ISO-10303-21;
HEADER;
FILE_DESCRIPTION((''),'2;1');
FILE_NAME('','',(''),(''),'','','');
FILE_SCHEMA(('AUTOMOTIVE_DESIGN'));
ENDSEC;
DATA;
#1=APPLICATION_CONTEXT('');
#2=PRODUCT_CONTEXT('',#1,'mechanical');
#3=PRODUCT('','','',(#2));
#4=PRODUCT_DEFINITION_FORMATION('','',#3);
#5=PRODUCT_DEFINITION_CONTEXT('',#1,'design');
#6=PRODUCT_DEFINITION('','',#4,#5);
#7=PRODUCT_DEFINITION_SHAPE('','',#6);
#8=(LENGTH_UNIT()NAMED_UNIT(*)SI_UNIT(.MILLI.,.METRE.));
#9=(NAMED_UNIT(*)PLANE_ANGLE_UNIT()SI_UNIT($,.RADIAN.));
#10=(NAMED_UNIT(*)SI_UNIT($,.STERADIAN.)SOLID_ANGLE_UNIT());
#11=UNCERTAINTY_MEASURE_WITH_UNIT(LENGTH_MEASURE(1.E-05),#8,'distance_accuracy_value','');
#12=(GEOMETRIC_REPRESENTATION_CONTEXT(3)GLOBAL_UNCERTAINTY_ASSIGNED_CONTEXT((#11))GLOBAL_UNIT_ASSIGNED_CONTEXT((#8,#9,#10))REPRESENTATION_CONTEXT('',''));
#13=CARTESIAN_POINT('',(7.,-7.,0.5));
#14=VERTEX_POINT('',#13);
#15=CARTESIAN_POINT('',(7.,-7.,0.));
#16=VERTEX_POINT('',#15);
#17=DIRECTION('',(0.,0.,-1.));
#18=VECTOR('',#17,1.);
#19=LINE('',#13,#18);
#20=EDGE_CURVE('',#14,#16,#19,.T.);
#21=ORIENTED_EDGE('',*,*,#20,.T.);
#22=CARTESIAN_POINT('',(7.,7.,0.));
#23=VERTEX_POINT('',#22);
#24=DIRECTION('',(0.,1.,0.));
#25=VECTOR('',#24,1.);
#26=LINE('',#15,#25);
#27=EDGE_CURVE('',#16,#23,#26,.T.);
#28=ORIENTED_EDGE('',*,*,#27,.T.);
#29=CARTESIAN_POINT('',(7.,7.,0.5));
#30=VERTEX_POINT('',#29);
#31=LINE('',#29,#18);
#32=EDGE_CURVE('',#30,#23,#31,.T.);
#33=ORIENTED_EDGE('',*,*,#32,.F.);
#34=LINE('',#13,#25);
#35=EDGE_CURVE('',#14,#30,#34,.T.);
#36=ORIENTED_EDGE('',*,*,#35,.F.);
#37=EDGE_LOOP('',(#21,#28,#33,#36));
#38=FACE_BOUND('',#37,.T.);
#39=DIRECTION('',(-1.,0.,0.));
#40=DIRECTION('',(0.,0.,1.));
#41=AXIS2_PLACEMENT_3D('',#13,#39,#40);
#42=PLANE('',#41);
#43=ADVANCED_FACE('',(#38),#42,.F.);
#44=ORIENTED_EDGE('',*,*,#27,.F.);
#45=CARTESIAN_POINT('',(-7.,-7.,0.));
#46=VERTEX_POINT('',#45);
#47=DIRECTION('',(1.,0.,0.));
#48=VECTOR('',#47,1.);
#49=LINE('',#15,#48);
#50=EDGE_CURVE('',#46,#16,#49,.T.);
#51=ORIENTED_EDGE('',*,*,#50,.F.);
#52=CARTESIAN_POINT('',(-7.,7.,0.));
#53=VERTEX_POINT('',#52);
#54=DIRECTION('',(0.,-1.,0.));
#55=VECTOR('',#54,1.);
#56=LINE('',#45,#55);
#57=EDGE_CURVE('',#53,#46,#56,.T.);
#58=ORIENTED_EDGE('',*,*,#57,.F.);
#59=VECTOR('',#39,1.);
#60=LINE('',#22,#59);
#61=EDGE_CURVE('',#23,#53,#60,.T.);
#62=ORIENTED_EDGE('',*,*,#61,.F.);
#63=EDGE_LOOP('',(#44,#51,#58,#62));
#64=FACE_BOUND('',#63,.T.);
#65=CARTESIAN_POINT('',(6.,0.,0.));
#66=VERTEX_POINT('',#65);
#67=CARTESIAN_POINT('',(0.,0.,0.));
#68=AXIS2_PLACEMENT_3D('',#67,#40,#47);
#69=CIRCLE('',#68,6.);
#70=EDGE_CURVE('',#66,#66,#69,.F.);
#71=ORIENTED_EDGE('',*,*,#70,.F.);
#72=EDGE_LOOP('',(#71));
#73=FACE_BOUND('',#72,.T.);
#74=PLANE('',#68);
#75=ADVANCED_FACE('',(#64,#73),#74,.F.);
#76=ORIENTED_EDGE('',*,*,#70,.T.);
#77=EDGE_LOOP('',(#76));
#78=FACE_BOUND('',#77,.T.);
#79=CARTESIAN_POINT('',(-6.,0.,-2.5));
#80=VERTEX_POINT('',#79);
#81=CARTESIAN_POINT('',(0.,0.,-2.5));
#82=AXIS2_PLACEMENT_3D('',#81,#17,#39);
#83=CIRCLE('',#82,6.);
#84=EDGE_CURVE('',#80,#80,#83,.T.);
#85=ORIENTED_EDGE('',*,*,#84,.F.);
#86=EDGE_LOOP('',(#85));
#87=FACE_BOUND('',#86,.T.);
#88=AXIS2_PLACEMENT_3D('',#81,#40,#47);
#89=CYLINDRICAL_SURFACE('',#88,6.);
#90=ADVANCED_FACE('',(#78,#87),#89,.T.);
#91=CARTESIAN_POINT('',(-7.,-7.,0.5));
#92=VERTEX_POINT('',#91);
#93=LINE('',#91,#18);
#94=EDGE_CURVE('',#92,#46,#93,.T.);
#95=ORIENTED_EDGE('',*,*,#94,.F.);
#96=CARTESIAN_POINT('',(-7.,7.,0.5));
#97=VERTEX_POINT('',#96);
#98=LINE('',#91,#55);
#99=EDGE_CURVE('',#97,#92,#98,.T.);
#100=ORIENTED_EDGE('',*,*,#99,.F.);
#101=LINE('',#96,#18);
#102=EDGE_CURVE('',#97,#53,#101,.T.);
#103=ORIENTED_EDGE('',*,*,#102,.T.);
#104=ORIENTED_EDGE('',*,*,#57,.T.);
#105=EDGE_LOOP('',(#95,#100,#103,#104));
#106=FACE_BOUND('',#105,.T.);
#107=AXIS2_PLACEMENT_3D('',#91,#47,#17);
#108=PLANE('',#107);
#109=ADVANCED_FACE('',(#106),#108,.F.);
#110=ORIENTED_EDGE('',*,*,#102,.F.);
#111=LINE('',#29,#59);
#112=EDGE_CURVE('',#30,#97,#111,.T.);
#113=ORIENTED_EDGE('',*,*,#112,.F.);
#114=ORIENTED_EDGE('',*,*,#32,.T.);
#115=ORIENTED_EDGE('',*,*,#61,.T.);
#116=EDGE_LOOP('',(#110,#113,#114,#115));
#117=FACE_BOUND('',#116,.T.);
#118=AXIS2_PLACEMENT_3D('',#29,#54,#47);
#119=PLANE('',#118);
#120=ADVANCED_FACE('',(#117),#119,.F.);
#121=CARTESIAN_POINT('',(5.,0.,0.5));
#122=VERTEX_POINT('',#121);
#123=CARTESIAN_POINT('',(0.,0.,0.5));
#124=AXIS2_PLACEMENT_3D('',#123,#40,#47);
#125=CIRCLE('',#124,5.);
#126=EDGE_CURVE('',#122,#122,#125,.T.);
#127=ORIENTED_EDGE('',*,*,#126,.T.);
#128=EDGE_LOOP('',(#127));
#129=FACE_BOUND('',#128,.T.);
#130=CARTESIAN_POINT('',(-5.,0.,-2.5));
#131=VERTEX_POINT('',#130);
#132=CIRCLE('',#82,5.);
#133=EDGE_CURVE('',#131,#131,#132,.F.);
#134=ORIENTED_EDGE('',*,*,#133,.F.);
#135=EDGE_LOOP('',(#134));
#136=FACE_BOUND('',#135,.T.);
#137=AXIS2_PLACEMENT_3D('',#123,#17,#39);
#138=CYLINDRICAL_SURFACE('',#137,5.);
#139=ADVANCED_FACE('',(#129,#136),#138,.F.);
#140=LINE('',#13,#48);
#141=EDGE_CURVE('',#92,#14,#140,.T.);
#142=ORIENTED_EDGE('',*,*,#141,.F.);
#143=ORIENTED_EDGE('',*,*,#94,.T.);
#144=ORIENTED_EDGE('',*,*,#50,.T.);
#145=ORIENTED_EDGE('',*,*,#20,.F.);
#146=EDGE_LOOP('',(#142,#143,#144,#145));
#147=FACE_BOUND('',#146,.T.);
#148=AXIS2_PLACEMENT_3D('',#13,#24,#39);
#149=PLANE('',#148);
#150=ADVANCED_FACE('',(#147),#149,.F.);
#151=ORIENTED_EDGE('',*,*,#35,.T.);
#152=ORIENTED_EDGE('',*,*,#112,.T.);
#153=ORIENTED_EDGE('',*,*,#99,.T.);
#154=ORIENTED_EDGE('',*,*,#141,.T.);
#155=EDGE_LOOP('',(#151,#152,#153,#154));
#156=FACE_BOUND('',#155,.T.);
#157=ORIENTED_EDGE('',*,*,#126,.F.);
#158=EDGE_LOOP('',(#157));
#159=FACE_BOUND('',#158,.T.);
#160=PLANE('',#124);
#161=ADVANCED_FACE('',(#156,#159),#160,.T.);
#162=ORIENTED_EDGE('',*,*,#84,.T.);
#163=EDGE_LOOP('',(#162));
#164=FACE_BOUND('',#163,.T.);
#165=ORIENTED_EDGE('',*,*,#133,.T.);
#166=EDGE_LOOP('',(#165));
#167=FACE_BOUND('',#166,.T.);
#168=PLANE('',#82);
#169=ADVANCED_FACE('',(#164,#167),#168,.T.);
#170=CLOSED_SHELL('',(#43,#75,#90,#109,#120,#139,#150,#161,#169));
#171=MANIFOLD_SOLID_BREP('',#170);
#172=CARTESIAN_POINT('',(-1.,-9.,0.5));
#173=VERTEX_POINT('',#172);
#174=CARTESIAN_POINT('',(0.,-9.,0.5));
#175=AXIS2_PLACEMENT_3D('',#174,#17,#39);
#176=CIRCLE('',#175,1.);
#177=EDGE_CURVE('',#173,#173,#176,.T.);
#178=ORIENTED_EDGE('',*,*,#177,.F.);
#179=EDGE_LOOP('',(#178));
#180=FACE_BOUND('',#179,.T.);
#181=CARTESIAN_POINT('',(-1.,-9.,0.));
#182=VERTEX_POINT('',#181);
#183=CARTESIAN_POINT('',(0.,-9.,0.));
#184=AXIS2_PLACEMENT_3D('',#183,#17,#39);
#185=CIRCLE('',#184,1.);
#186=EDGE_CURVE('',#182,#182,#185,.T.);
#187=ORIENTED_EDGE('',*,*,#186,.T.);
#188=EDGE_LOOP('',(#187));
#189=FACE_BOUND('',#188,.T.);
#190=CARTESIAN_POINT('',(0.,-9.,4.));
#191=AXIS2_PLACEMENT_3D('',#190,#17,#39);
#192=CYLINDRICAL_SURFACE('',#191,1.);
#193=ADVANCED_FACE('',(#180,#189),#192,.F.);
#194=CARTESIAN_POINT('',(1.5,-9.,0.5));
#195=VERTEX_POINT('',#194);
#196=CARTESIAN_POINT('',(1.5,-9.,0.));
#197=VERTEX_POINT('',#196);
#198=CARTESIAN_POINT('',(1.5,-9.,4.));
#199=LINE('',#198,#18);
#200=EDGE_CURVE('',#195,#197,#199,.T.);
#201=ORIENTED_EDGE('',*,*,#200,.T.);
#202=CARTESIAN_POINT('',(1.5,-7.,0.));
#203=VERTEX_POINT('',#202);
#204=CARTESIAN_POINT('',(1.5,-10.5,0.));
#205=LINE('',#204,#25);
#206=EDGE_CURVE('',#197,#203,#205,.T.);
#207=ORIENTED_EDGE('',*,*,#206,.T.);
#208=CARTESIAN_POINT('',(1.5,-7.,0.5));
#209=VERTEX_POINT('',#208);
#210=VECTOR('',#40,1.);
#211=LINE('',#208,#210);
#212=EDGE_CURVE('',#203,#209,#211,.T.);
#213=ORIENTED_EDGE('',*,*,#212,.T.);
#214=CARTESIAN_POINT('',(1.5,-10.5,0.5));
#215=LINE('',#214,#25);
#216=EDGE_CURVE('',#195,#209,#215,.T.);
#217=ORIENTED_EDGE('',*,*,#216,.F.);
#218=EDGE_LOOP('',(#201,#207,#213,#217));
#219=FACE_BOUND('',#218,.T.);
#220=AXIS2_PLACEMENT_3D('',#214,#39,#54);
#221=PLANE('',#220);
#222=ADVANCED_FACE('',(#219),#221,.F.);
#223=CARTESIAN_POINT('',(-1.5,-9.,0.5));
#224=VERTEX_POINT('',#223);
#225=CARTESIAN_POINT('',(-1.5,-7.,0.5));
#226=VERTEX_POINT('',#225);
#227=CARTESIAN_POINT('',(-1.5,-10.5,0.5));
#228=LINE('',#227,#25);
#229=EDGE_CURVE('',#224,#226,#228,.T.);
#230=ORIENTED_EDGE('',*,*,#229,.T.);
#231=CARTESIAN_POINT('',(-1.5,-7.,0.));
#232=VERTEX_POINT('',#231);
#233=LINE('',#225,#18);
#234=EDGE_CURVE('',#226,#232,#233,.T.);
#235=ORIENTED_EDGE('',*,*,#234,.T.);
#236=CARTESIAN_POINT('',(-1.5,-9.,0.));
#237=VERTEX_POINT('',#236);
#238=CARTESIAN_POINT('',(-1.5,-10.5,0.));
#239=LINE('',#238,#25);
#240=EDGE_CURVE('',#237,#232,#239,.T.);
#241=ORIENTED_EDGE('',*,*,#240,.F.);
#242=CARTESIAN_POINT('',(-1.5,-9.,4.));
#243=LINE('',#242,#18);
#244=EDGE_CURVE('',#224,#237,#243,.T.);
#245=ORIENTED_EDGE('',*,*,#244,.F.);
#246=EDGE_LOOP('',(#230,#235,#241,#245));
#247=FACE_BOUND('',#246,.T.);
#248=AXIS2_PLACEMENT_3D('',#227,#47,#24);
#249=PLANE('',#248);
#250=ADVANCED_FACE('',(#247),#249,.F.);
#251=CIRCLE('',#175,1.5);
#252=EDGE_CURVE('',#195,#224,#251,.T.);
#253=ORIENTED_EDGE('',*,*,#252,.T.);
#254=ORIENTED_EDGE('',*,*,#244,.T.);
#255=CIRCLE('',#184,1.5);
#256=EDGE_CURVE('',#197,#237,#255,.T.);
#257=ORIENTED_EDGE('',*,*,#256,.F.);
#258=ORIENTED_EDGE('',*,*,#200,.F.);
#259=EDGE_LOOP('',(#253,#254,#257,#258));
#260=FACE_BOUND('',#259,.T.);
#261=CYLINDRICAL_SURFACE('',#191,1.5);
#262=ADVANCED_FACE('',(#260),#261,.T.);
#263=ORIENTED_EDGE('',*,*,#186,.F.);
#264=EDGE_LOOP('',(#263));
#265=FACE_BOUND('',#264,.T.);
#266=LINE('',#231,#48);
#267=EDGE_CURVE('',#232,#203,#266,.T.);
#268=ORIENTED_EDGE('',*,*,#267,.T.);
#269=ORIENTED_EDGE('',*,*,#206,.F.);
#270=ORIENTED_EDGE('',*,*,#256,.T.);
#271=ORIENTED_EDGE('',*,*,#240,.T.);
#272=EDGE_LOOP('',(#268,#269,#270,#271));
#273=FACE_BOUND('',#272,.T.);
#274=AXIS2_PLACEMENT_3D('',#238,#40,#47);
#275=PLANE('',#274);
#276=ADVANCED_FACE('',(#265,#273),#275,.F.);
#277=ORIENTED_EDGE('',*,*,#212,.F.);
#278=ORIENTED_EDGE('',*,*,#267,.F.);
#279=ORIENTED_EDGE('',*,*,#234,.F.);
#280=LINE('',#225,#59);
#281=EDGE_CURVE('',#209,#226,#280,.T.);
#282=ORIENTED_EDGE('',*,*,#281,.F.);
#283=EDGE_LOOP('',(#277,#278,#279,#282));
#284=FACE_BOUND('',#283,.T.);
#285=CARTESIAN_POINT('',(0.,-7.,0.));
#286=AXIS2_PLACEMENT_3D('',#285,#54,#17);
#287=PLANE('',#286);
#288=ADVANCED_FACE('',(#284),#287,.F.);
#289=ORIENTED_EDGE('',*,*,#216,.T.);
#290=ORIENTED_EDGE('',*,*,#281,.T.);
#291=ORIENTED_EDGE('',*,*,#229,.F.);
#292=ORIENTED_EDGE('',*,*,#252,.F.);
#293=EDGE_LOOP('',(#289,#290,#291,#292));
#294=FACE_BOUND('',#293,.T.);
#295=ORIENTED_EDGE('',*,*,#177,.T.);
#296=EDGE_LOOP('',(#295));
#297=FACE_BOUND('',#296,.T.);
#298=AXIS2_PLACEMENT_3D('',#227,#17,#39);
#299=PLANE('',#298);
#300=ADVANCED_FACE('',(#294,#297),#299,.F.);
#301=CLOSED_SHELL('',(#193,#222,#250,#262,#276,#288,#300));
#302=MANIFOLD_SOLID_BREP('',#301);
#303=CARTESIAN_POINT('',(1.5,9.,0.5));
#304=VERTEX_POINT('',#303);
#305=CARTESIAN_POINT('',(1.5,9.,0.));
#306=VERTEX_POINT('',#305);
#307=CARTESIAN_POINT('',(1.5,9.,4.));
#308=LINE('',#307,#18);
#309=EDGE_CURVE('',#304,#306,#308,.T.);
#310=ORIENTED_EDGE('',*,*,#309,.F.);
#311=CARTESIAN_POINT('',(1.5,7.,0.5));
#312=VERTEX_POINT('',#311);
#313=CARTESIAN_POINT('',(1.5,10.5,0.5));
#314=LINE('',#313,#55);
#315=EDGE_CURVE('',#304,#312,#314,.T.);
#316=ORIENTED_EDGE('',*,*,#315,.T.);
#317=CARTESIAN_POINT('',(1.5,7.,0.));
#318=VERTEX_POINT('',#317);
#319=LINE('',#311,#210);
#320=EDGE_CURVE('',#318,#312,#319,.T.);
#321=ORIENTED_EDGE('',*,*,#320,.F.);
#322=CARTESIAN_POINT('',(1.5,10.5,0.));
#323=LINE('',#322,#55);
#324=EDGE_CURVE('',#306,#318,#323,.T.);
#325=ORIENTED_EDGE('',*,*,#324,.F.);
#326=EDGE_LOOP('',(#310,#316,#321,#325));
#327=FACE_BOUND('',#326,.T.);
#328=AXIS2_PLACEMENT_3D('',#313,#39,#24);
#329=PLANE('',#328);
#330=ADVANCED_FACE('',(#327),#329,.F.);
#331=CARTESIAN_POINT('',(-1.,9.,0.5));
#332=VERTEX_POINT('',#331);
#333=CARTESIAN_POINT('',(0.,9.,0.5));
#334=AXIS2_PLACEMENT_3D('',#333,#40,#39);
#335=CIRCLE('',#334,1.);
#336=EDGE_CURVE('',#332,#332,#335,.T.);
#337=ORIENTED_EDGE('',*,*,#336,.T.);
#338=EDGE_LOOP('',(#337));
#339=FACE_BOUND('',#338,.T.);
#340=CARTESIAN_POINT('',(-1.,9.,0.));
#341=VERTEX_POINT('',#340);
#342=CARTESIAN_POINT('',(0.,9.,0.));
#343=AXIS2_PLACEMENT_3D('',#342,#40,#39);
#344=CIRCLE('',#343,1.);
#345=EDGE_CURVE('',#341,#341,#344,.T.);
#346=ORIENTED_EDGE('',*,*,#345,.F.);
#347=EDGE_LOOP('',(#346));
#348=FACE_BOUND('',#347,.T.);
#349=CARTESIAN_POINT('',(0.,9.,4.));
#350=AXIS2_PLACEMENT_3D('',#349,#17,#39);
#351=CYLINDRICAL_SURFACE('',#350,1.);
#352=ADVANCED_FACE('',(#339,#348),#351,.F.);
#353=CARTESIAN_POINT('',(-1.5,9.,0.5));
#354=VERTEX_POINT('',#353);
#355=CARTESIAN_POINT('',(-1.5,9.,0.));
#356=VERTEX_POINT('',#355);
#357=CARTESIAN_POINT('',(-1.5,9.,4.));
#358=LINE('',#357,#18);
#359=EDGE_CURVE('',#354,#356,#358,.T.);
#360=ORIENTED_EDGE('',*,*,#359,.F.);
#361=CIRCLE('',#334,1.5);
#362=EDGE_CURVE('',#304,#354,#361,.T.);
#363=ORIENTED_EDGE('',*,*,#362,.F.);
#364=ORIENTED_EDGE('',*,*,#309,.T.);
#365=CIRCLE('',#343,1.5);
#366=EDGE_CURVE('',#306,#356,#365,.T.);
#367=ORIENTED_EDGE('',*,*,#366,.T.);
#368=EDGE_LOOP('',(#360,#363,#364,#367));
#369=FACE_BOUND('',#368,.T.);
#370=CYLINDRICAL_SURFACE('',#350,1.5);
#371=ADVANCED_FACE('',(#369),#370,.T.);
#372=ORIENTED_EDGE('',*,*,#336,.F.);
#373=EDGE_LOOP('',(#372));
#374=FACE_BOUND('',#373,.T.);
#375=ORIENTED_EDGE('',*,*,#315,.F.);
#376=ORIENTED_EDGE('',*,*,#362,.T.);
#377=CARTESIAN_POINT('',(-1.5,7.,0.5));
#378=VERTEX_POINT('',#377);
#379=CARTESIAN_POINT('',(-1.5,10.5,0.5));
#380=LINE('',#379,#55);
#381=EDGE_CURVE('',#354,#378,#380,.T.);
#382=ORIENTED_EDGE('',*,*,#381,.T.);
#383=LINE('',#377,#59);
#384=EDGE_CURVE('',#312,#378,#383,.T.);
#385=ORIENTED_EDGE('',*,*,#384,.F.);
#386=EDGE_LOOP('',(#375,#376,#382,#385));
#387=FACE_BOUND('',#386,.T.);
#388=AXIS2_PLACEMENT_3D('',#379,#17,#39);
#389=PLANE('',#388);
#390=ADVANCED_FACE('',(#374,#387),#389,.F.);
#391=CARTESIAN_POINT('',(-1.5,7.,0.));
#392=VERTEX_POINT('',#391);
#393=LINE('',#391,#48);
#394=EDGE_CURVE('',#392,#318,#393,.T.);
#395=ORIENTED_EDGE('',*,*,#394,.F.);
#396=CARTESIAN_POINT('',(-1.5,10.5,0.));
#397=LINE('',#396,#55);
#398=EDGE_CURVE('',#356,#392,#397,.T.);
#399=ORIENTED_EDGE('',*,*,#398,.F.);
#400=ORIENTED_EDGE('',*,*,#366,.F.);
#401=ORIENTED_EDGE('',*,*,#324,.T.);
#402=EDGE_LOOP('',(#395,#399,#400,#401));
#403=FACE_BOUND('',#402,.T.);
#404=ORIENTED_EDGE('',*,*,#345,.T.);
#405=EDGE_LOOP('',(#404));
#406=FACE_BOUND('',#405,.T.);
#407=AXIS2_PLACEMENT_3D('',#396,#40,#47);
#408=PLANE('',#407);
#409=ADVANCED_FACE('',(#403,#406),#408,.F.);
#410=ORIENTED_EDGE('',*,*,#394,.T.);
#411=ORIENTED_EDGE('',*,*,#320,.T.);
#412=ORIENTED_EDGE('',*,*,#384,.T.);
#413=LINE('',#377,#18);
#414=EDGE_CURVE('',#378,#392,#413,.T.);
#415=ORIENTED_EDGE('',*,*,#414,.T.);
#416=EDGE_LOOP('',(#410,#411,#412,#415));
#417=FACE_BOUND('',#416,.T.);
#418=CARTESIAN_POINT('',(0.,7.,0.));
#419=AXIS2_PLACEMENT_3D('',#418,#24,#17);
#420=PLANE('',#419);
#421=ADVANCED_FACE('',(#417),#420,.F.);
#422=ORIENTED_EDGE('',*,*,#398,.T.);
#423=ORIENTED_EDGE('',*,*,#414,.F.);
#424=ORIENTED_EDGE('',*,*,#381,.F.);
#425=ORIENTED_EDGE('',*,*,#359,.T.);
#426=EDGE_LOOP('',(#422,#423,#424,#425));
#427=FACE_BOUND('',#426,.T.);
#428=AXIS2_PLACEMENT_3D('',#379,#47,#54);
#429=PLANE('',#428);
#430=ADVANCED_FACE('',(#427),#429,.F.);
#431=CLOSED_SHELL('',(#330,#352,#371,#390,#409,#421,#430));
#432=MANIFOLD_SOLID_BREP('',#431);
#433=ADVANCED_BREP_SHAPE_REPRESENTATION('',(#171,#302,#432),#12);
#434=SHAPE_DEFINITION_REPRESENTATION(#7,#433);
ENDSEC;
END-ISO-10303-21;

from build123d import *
from build123d.topology import SkipClean

# Parameters (mm, degrees)
SKETCH_2_W          = 14
SKETCH_2_H          = 14
SKETCH_2_R          = 5
EXTRUDE_1_DEPTH     = 0.5
SKETCH_3_W          = 3
SKETCH_3_H          = 0.5
EXTRUDE_2_DEPTH     = 3.5
CUT_EXTRUDE_1_DEPTH = 4
SKETCH_5_R          = 1
CUT_EXTRUDE_2_DEPTH = 4
EXTRUDE_START       = 2.5
SKETCH_6_R          = 6
SKETCH_6_R_2        = 5
EXTRUDE_3_DEPTH     = 2.5


with BuildPart() as part:
    # 草图2 → 凸台-拉伸1 (new body)
    with BuildSketch(Plane.XY):
        Rectangle(SKETCH_2_W, SKETCH_2_H)
        Circle(SKETCH_2_R, mode=Mode.SUBTRACT)
    extrude(amount=EXTRUDE_1_DEPTH)

    # 草图6 → 凸台-拉伸3 (add)
    with SkipClean():  # the faces are left unmerged after this step: merging them gives an invalid solid
        with BuildSketch(Plane(origin=(0, 0, 0), x_dir=(-1, 0, 0), z_dir=(0, 0, -1)).offset(EXTRUDE_START)):
            with Locations(Location((0, 0, 0), (0, 0, 180))):
                Circle(SKETCH_6_R)
            Circle(SKETCH_6_R_2, mode=Mode.SUBTRACT)
        extrude(amount=-EXTRUDE_3_DEPTH)


with BuildPart() as body_2:
    # 草图3 → 凸台-拉伸2 (new body)
    with BuildSketch(Plane.XZ.offset(7)):
        with Locations((0, 0.25)):
            Rectangle(SKETCH_3_W, SKETCH_3_H)
    extrude(amount=EXTRUDE_2_DEPTH)

    # 草图4 → 切除-拉伸1 (cut)
    with BuildSketch(Plane(origin=(0, 0, 0), x_dir=(-1, 0, 0), z_dir=(0, 0, -1))):
        with BuildLine():
            Line((1.5, -10.5), (1.5, -9))
            ThreePointArc((1.5, -9), (1.060660172, -10.060660172), (0, -10.5))
            Line((0, -10.5), (1.5, -10.5))
        make_face()
        with BuildLine():
            ThreePointArc((0, -10.5), (-1.060660172, -10.060660172), (-1.5, -9))
            Line((-1.5, -9), (-1.5, -10.5))
            Line((-1.5, -10.5), (0, -10.5))
        make_face()
    extrude(amount=-CUT_EXTRUDE_1_DEPTH, mode=Mode.SUBTRACT)

    # 草图5 → 切除-拉伸2 (cut)
    with BuildSketch(Plane(origin=(0, 0, 0), x_dir=(-1, 0, 0), z_dir=(0, 0, -1))):
        with Locations((0, -9)):
            Circle(SKETCH_5_R)
    extrude(amount=-CUT_EXTRUDE_2_DEPTH, mode=Mode.SUBTRACT)


with BuildPart() as body_3:
    # 镜向7: mirrored copy
    add(body_2.part.mirror(Plane.ZX))


solid = Compound([part.part, body_2.part, body_3.part])
